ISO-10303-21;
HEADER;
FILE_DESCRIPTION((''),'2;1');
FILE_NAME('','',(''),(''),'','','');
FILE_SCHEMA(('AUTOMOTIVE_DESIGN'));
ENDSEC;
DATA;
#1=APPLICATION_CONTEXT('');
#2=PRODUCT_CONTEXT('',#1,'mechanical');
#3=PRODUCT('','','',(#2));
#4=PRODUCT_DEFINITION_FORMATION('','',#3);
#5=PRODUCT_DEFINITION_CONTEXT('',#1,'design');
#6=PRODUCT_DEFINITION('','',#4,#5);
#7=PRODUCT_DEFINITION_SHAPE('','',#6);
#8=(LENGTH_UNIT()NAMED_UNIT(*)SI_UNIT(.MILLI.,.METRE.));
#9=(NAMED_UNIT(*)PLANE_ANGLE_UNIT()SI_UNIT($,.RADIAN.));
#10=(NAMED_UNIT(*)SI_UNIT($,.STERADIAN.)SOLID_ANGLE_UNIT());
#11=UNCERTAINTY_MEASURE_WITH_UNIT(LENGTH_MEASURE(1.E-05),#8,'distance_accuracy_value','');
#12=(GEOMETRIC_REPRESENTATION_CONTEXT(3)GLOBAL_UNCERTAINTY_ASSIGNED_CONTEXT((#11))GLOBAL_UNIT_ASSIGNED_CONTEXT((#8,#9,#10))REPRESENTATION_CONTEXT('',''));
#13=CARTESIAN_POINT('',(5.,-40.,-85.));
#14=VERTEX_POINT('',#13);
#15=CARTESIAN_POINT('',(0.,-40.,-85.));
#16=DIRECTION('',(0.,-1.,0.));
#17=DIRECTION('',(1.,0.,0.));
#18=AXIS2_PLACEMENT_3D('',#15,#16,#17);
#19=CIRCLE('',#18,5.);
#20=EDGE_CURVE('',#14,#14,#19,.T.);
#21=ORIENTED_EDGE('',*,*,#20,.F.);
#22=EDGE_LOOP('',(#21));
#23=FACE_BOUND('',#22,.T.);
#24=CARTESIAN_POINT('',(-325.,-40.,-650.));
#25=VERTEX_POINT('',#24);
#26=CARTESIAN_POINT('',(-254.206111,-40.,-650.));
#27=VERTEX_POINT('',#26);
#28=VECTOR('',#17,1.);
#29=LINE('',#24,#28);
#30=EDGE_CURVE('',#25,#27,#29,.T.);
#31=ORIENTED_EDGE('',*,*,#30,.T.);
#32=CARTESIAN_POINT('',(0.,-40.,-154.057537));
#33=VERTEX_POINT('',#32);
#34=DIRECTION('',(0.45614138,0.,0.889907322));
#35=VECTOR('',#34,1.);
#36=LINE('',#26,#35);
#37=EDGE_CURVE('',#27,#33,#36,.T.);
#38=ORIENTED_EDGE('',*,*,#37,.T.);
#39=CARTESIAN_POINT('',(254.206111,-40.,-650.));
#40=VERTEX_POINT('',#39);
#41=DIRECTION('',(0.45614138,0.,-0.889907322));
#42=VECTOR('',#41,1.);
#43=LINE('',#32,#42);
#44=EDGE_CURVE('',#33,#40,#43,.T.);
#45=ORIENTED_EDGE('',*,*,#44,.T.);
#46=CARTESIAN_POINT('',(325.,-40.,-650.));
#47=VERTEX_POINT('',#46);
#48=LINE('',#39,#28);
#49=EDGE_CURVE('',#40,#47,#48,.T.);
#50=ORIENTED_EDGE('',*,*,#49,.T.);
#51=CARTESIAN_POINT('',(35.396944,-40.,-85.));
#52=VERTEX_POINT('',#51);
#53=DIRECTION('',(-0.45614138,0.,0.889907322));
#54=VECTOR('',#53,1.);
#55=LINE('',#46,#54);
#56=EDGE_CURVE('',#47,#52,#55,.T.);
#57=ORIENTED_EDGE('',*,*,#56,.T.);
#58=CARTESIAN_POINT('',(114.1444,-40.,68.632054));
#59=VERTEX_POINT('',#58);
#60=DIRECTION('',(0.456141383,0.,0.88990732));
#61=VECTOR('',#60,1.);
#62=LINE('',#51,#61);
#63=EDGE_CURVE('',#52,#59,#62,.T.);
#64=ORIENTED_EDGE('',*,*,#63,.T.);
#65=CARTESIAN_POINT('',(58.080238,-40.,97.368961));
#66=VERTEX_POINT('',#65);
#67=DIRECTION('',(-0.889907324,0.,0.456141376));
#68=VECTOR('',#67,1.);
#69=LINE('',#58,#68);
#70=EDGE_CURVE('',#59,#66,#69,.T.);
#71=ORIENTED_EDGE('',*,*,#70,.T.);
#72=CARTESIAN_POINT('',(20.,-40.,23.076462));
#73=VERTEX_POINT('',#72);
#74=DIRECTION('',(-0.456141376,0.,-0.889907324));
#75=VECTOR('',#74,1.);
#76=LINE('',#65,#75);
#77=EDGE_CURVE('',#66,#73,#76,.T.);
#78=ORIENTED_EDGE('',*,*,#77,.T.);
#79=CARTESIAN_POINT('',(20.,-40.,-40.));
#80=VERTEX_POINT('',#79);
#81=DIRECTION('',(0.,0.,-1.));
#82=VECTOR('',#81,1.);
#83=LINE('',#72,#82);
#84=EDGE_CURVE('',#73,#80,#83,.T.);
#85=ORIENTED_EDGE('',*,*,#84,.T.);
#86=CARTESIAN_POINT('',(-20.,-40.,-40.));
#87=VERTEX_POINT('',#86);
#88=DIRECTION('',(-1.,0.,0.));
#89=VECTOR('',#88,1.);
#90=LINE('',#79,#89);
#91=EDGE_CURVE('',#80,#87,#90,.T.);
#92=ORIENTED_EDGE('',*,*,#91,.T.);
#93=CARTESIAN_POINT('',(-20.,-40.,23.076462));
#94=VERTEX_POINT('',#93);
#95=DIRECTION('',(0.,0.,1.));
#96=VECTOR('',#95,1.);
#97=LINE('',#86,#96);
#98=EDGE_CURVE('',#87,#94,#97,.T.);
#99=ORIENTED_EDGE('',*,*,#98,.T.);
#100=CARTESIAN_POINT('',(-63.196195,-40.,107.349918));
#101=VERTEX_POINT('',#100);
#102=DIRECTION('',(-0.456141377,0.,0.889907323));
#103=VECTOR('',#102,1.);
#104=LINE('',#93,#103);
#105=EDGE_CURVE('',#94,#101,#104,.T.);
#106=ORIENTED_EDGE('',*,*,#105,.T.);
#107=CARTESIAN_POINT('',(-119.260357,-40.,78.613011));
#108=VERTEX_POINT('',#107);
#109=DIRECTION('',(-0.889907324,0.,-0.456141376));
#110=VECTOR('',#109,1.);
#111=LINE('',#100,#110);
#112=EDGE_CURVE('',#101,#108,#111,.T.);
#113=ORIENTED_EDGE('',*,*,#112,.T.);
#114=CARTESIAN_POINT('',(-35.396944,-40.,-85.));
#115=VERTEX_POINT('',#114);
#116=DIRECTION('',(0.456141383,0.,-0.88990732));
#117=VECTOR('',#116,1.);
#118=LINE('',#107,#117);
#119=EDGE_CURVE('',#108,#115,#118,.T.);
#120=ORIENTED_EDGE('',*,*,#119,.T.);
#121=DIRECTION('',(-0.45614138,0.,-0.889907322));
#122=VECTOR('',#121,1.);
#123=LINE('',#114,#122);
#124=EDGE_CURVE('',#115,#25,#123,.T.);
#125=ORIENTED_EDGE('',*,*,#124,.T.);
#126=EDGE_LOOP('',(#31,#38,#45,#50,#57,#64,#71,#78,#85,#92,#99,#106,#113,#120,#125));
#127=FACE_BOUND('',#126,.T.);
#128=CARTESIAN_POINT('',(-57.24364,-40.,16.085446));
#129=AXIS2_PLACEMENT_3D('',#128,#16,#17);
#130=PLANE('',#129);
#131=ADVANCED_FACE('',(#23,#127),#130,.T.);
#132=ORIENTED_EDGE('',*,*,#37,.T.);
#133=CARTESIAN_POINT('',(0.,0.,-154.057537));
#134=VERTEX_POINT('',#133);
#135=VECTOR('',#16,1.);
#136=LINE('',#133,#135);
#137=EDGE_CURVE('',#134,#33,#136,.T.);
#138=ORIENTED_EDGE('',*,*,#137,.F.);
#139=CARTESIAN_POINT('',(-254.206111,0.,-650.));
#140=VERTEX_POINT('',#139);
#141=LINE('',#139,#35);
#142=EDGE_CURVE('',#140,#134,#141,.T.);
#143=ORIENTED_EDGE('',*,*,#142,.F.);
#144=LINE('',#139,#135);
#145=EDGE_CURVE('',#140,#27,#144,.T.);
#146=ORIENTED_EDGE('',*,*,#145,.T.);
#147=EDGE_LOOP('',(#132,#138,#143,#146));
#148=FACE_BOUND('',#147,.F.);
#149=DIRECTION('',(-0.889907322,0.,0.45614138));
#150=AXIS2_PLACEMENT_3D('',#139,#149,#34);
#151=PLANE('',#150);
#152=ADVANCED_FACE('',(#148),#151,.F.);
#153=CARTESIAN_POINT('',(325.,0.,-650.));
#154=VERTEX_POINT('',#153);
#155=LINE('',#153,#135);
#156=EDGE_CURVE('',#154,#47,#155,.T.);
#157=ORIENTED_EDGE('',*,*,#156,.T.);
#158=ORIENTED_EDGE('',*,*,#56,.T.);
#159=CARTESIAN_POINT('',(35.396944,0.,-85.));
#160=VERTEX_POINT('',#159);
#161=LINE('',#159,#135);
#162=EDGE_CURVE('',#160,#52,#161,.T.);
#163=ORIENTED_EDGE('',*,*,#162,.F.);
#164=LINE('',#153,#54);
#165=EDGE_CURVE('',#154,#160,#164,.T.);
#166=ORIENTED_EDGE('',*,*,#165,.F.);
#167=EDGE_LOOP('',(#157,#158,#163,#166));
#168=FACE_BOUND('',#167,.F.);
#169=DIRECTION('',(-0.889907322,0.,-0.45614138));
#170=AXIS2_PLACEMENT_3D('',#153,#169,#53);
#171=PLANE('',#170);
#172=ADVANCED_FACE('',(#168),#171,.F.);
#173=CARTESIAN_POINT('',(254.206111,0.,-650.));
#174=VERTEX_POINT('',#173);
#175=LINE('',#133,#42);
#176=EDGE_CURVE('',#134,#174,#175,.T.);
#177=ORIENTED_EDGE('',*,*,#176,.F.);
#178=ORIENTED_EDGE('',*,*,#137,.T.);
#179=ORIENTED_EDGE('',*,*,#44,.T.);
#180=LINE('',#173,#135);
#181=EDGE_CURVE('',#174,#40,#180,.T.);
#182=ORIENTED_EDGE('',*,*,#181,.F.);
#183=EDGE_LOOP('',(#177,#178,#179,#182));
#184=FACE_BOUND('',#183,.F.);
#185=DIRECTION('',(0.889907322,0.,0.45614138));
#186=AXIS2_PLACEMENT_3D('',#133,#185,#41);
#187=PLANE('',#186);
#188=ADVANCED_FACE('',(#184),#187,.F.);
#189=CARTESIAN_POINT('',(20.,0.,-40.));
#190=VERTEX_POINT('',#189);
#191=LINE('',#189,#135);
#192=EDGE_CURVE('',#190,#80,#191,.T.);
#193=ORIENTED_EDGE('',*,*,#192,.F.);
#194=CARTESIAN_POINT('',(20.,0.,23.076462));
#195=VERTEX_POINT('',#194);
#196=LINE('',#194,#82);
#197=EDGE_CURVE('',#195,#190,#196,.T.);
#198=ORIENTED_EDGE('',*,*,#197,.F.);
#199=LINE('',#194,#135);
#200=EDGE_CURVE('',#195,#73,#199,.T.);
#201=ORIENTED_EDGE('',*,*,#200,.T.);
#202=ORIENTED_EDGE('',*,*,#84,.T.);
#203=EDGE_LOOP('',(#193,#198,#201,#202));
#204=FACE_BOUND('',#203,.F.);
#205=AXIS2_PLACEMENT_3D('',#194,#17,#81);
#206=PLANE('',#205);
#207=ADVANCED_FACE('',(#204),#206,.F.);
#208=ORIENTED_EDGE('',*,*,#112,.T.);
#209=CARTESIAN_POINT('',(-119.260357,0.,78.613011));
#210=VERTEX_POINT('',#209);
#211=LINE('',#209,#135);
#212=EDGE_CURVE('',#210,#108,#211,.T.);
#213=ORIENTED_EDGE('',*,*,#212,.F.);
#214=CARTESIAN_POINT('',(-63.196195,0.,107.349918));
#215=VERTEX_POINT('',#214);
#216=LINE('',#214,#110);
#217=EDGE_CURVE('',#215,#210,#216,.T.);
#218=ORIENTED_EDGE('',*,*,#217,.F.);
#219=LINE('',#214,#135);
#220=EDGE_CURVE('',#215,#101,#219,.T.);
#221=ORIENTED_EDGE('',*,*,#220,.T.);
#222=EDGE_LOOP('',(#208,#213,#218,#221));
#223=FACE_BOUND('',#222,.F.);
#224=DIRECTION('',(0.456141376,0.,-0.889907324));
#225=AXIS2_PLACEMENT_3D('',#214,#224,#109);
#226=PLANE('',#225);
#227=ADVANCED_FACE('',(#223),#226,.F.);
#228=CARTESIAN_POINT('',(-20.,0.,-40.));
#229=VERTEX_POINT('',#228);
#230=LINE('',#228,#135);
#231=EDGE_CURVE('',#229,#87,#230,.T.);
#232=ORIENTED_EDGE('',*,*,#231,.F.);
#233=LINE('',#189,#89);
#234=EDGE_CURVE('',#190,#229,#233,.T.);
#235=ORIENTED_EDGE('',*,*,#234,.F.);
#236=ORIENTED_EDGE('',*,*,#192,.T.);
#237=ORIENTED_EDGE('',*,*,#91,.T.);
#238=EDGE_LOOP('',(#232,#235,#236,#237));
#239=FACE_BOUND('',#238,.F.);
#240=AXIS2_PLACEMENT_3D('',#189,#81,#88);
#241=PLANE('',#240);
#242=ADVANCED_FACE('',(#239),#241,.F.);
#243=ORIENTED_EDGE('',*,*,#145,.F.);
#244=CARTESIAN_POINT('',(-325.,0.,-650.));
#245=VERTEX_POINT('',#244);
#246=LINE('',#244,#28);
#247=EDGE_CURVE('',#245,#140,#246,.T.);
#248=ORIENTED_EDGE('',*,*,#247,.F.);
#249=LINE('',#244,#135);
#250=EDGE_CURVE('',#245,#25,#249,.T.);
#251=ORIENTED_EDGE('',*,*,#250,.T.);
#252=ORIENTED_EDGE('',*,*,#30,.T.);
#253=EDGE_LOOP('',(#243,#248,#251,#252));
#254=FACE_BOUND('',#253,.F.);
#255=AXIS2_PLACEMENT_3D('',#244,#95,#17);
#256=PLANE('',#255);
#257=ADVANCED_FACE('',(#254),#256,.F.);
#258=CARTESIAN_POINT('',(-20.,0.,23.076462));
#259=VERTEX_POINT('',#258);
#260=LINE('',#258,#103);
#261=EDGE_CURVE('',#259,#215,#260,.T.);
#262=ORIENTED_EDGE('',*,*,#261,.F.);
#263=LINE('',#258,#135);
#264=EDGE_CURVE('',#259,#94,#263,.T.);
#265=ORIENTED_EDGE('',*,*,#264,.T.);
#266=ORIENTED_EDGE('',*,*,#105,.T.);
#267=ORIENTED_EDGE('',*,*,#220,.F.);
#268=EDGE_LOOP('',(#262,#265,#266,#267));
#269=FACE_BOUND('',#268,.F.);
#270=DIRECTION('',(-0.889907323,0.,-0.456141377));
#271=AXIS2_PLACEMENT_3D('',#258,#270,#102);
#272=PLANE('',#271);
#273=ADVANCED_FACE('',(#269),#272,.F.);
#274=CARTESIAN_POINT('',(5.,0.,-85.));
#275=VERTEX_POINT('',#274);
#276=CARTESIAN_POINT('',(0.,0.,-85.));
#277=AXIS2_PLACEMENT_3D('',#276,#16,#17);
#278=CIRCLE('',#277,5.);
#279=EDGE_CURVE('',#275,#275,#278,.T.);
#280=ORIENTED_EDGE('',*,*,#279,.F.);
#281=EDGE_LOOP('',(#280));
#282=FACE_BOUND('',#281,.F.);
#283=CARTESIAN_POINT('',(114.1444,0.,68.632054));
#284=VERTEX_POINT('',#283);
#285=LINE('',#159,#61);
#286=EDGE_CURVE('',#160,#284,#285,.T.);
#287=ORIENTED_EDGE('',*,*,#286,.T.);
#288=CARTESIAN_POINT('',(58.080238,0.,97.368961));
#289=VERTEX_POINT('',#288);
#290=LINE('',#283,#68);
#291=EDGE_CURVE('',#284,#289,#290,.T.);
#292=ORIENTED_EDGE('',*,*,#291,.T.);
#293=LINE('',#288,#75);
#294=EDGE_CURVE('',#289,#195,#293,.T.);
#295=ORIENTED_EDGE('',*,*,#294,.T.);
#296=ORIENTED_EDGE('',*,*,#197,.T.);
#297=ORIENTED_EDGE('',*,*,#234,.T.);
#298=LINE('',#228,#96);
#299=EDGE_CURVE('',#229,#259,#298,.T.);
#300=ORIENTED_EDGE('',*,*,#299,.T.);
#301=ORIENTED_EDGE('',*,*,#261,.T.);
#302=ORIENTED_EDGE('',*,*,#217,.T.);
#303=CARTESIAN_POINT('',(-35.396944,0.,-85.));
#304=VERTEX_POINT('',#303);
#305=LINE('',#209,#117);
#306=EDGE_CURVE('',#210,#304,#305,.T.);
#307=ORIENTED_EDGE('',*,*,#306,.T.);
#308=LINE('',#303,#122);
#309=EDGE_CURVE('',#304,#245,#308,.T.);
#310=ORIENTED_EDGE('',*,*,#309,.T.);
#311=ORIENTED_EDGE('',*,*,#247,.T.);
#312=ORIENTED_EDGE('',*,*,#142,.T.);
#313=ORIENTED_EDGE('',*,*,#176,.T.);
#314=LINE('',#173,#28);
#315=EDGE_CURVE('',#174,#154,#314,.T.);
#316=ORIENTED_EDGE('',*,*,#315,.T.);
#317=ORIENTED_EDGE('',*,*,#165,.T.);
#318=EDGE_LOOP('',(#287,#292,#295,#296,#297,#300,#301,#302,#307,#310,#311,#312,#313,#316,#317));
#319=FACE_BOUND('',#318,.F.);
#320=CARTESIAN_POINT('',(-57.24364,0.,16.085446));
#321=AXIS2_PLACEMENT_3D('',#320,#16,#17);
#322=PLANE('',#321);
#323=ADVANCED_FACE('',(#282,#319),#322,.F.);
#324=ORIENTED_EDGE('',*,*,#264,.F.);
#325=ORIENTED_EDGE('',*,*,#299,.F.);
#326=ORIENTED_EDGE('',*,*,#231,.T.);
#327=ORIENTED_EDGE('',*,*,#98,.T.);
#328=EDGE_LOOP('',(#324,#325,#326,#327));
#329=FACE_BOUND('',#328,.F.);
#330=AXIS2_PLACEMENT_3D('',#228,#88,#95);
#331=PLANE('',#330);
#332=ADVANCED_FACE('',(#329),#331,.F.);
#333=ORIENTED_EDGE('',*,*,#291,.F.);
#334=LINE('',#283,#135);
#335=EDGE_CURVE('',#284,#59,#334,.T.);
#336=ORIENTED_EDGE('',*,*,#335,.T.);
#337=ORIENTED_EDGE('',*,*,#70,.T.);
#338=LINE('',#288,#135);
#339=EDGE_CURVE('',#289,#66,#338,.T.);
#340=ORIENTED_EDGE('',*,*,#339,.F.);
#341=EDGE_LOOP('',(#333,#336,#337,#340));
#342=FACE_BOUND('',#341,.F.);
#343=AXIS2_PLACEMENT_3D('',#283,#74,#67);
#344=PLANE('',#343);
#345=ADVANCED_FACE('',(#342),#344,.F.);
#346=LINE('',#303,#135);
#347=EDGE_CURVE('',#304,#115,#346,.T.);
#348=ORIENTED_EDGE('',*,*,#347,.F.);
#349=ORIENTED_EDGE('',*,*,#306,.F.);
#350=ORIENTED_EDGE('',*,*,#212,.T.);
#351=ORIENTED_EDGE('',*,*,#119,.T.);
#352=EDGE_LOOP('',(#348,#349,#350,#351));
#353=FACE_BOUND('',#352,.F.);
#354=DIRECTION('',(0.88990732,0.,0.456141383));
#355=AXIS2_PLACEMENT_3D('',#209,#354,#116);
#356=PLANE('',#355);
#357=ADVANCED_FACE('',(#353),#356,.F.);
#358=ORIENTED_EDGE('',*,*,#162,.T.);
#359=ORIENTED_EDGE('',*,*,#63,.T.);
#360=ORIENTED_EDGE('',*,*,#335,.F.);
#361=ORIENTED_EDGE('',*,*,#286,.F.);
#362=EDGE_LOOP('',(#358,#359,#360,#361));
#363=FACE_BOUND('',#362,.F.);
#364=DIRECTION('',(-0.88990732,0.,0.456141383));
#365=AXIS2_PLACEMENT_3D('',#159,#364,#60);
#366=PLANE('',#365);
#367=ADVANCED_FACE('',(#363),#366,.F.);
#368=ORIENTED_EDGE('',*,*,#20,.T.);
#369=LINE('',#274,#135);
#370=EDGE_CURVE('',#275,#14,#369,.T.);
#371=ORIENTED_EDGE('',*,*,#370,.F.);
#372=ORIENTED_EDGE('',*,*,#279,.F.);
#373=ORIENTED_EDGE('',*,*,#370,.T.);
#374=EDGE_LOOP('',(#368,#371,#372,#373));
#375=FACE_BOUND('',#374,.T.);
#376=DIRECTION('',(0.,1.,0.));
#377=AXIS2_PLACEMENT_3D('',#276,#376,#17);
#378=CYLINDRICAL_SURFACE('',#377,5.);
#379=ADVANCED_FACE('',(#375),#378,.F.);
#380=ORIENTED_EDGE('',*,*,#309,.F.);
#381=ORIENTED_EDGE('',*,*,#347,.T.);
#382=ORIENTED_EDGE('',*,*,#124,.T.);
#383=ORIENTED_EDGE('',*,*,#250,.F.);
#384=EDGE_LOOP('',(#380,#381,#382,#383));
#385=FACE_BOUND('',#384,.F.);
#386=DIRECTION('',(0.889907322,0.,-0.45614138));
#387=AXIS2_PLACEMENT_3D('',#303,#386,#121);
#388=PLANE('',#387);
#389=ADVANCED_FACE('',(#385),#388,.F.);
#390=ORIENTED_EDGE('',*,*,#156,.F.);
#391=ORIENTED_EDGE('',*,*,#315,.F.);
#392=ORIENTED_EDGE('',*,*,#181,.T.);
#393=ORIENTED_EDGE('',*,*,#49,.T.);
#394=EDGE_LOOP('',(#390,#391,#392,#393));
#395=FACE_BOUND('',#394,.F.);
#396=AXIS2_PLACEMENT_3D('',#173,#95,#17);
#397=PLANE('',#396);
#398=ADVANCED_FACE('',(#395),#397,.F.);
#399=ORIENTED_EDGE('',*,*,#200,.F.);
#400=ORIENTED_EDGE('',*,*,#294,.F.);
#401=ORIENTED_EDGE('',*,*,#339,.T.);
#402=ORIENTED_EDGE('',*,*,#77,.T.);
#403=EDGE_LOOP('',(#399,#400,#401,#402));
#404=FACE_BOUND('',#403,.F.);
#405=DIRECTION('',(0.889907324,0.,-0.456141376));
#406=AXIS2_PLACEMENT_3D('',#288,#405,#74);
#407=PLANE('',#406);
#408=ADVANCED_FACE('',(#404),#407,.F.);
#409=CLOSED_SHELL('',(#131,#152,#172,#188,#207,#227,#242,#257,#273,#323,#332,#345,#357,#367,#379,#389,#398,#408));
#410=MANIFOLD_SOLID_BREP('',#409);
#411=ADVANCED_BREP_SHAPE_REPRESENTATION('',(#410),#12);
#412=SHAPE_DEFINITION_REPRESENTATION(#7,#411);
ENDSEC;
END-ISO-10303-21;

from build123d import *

# Parameters (mm, degrees)
F0_R     = 5
F1_DEPTH = 40


with BuildPart() as f1:
    # F0 (on Front) → F1 (new body)
    with BuildSketch(Plane.XZ):
        Polygon((-20, 23.076462), (-63.196195, 107.349918), (-119.260357, 78.613011), (-35.396944, -85), (-12.331214, -40), (-20, -40), align=None)
        Polygon((-12.331214, -40), (-35.396944, -85), (0, -154.057537), (35.396944, -85), (12.331214, -40), align=None)
        with Locations((0, -85)):
            Circle(F0_R, mode=Mode.SUBTRACT)
        Polygon((0, -154.057537), (-35.396944, -85), (-325, -650), (-254.206111, -650), align=None)
        Polygon((35.396944, -85), (0, -154.057537), (254.206111, -650), (325, -650), align=None)
        Polygon((20, -40), (12.331214, -40), (35.396944, -85), (114.1444, 68.632054), (58.080238, 97.368961), (20, 23.076462), align=None)
    extrude(amount=F1_DEPTH)


solid = f1.part
